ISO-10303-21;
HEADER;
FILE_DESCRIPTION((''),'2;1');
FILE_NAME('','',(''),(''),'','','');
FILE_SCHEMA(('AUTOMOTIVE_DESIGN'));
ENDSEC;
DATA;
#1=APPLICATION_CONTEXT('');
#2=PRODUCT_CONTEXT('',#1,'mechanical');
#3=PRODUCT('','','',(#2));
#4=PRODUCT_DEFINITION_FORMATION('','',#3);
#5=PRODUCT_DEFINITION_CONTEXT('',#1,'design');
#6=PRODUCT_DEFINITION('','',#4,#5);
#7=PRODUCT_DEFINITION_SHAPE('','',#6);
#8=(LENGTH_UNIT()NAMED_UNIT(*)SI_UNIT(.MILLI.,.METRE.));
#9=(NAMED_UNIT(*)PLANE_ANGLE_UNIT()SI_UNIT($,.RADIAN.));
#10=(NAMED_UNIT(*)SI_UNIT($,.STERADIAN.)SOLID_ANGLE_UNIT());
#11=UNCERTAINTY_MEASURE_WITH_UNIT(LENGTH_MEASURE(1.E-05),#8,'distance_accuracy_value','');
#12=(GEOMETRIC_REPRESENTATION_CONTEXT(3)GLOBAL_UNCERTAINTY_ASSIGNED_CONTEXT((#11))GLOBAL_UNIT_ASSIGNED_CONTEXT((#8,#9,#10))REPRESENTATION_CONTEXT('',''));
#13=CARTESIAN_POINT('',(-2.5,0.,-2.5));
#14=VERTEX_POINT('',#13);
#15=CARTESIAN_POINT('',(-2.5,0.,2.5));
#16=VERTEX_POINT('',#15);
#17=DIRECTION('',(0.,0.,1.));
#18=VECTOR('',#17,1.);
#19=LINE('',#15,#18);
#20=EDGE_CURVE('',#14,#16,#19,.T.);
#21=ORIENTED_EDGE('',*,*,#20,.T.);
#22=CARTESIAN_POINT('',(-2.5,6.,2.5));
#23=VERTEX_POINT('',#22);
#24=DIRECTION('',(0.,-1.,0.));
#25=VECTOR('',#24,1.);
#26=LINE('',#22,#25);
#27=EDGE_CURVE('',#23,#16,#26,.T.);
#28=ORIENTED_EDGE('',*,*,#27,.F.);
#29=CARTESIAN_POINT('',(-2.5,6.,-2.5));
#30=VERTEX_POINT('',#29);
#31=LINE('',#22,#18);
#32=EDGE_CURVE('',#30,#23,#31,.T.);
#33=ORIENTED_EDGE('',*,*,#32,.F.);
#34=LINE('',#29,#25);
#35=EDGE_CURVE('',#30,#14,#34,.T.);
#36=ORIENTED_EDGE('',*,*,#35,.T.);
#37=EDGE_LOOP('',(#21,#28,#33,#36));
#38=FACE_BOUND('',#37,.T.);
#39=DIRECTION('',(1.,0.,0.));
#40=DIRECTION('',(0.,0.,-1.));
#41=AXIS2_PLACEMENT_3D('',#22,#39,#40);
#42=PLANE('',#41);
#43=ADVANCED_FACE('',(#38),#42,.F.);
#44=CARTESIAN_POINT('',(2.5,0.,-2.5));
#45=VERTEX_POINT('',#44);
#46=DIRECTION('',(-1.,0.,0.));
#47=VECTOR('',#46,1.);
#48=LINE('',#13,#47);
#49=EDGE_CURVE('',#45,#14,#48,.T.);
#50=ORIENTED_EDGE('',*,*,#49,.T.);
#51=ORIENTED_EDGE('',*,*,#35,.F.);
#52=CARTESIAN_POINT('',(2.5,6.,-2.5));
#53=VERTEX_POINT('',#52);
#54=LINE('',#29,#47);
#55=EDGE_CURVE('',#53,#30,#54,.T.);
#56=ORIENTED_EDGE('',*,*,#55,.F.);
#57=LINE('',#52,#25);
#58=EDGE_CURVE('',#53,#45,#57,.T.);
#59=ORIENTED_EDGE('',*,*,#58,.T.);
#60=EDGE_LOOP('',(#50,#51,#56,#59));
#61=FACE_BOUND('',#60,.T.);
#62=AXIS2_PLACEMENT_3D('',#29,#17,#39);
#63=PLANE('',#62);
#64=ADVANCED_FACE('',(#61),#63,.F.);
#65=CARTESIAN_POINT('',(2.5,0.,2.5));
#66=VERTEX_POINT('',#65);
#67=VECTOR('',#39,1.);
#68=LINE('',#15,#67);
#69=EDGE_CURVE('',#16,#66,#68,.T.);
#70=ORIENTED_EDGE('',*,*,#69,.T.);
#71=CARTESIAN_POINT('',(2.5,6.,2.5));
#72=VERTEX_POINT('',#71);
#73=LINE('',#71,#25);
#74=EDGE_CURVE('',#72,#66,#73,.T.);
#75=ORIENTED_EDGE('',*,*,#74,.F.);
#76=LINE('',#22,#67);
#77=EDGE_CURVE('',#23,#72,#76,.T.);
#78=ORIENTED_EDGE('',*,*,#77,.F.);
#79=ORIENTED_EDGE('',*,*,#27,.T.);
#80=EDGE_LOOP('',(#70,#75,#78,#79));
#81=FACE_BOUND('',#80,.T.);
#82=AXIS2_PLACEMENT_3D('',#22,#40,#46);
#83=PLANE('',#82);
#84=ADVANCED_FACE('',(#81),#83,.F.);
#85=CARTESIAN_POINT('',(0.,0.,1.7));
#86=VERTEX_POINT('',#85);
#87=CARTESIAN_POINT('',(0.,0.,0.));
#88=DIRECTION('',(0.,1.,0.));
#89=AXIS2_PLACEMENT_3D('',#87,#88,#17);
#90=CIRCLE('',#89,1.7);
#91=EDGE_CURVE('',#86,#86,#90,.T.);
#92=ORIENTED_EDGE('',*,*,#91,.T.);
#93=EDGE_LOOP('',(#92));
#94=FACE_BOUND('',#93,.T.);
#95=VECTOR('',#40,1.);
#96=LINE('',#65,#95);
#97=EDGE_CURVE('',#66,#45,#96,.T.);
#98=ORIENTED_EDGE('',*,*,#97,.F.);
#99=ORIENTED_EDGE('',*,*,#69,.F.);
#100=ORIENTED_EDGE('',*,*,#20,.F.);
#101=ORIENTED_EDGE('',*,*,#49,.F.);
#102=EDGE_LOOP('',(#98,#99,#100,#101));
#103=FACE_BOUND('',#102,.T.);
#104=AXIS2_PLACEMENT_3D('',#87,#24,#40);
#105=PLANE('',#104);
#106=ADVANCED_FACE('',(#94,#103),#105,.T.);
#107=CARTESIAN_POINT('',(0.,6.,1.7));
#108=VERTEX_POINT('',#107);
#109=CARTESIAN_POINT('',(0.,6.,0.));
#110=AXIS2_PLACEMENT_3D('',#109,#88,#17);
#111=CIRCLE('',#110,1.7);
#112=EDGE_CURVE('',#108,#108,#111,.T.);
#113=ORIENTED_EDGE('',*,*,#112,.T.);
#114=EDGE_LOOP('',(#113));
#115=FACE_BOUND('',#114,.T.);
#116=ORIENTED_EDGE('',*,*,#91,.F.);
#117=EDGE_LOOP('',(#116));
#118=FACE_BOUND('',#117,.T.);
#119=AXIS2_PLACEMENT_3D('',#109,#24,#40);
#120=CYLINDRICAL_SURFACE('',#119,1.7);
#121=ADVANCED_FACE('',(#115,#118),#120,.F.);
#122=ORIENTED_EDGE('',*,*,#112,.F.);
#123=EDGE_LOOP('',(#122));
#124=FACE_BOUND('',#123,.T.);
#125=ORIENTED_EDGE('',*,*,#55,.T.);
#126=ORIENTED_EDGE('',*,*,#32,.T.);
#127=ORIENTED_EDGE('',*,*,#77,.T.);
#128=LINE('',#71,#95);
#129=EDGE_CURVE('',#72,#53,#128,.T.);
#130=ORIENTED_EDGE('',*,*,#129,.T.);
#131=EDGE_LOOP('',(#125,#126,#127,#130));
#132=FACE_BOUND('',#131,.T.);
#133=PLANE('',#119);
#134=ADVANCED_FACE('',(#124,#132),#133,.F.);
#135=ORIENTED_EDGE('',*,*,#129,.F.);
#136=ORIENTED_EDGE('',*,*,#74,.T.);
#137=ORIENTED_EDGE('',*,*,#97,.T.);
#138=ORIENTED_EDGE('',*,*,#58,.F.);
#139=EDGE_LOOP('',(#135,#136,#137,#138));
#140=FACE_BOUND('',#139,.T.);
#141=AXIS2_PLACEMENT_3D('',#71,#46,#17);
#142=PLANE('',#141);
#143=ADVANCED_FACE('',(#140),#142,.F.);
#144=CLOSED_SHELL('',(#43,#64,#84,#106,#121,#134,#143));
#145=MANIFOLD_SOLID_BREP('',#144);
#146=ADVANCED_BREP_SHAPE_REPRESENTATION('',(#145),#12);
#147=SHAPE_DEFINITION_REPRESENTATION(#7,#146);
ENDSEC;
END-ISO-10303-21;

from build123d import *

# Parameters (mm, degrees)
SKETCH1_W           = 5
SKETCH1_H           = 5
SKETCH1_R           = 1.7
BOSS_EXTRUDE1_DEPTH = 6


with BuildPart() as part:
    # Sketch1 → Boss-Extrude1 (new body)
    with BuildSketch(Plane(origin=(0, 0, 0), x_dir=(1, 0, 0), z_dir=(0, 1, 0))):
        Rectangle(SKETCH1_W, SKETCH1_H)
        Circle(SKETCH1_R, mode=Mode.SUBTRACT)
    extrude(amount=BOSS_EXTRUDE1_DEPTH)


solid = part.part
